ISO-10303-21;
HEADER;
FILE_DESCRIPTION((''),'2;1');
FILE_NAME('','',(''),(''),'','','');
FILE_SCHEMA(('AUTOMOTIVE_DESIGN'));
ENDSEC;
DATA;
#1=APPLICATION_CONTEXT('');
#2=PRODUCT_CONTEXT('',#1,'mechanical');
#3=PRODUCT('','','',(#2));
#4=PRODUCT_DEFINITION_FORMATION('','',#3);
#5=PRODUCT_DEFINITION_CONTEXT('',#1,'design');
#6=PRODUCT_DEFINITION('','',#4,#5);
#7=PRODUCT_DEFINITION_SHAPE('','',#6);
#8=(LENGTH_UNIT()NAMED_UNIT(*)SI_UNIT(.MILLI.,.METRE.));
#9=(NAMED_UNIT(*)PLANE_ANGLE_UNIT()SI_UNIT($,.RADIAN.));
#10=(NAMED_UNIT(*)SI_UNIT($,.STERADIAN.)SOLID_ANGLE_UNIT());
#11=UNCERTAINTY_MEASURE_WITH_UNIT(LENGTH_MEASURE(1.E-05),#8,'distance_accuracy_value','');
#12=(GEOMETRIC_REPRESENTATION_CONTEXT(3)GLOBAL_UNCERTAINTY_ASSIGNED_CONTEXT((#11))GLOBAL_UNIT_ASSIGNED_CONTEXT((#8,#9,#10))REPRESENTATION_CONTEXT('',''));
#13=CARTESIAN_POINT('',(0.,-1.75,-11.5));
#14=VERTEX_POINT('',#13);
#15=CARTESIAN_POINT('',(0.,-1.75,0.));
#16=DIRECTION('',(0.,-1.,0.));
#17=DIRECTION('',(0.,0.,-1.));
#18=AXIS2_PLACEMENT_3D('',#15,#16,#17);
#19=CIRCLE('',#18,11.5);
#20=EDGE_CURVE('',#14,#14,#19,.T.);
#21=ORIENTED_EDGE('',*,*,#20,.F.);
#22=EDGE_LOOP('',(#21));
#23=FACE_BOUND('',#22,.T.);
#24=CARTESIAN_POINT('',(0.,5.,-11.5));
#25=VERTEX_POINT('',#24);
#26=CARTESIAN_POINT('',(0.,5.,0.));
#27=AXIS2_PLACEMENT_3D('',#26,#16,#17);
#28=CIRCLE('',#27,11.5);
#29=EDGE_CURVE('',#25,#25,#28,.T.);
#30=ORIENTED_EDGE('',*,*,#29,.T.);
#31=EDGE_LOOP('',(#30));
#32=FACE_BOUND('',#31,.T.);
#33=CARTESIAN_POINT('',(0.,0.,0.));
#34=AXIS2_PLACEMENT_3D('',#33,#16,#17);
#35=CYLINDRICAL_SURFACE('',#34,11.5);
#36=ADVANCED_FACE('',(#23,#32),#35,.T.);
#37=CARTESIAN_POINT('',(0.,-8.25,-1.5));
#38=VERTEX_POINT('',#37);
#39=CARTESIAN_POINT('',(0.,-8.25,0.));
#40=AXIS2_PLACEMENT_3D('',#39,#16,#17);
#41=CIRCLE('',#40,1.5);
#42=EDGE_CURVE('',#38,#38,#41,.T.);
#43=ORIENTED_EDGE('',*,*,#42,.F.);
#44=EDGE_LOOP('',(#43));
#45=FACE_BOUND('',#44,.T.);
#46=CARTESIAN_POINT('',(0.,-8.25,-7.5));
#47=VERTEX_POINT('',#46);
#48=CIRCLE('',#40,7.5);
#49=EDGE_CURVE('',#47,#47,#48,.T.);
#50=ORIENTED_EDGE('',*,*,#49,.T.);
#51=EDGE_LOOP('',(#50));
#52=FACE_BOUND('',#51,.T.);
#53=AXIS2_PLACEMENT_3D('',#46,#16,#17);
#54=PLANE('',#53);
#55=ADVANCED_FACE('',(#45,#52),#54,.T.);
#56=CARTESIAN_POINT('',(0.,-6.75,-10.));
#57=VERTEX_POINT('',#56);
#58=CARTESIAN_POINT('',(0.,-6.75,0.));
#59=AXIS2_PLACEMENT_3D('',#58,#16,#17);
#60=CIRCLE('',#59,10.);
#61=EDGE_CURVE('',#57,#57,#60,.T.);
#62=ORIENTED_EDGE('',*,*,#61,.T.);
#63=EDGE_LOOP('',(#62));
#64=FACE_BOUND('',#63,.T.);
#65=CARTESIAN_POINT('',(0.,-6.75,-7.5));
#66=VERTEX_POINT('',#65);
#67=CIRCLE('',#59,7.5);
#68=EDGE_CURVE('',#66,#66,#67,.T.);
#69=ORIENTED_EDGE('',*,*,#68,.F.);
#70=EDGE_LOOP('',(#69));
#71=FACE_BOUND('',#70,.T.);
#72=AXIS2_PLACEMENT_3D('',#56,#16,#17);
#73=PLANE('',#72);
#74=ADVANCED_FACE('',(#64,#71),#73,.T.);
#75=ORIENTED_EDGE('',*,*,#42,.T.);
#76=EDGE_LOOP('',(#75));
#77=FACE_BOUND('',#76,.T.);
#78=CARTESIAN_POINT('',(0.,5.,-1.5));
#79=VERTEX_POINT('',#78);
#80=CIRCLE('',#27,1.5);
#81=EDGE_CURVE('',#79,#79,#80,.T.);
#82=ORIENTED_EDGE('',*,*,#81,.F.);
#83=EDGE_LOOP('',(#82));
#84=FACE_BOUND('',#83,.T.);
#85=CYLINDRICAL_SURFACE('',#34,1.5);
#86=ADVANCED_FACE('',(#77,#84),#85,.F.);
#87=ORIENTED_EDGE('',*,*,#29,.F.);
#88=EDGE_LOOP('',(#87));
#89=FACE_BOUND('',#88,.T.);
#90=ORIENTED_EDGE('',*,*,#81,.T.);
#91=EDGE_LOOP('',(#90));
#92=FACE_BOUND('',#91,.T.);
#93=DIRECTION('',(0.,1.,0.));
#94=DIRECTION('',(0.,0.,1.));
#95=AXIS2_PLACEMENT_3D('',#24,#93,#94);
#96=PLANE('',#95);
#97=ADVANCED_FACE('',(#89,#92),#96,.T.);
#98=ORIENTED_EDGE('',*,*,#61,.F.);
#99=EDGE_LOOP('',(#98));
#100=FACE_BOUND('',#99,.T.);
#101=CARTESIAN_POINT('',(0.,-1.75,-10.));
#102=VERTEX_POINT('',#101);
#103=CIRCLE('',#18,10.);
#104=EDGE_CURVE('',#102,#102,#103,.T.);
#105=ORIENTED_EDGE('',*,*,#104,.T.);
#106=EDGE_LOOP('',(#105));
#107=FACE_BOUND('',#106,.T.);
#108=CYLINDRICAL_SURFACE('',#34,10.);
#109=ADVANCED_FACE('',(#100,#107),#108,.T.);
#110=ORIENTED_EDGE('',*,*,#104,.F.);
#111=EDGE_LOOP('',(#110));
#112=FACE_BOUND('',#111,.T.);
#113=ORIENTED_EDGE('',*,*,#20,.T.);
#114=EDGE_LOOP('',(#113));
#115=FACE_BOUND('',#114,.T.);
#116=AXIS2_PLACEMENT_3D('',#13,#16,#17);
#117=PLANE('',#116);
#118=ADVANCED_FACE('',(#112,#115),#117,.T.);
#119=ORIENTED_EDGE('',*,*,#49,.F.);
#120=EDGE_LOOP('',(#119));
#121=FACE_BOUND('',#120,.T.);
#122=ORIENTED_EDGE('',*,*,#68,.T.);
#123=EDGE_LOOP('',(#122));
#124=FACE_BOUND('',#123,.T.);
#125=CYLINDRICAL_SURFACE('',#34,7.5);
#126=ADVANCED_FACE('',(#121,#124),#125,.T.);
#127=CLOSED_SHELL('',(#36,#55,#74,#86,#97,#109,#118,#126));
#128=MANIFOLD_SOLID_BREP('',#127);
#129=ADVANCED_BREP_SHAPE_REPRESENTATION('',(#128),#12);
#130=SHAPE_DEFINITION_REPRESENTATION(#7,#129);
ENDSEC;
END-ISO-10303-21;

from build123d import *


with BuildPart() as part:
    # Эскиз1 → Повернуть1 (revolve)
    with BuildSketch(Plane(origin=(0, 0, 0), x_dir=(0, 0, -1), z_dir=(1, 0, 0))):
        Polygon((11.5, 0), (11.5, -1.75), (10, -1.75), (10, -6.75), (7.5, -6.75), (7.5, -8.25), (1.5, -8.25), (1.5, 0), (1.5, 5), (11.5, 5), align=None)
    revolve(axis=Axis((0, 0, 0), (0, 1, 0)))


solid = part.part
